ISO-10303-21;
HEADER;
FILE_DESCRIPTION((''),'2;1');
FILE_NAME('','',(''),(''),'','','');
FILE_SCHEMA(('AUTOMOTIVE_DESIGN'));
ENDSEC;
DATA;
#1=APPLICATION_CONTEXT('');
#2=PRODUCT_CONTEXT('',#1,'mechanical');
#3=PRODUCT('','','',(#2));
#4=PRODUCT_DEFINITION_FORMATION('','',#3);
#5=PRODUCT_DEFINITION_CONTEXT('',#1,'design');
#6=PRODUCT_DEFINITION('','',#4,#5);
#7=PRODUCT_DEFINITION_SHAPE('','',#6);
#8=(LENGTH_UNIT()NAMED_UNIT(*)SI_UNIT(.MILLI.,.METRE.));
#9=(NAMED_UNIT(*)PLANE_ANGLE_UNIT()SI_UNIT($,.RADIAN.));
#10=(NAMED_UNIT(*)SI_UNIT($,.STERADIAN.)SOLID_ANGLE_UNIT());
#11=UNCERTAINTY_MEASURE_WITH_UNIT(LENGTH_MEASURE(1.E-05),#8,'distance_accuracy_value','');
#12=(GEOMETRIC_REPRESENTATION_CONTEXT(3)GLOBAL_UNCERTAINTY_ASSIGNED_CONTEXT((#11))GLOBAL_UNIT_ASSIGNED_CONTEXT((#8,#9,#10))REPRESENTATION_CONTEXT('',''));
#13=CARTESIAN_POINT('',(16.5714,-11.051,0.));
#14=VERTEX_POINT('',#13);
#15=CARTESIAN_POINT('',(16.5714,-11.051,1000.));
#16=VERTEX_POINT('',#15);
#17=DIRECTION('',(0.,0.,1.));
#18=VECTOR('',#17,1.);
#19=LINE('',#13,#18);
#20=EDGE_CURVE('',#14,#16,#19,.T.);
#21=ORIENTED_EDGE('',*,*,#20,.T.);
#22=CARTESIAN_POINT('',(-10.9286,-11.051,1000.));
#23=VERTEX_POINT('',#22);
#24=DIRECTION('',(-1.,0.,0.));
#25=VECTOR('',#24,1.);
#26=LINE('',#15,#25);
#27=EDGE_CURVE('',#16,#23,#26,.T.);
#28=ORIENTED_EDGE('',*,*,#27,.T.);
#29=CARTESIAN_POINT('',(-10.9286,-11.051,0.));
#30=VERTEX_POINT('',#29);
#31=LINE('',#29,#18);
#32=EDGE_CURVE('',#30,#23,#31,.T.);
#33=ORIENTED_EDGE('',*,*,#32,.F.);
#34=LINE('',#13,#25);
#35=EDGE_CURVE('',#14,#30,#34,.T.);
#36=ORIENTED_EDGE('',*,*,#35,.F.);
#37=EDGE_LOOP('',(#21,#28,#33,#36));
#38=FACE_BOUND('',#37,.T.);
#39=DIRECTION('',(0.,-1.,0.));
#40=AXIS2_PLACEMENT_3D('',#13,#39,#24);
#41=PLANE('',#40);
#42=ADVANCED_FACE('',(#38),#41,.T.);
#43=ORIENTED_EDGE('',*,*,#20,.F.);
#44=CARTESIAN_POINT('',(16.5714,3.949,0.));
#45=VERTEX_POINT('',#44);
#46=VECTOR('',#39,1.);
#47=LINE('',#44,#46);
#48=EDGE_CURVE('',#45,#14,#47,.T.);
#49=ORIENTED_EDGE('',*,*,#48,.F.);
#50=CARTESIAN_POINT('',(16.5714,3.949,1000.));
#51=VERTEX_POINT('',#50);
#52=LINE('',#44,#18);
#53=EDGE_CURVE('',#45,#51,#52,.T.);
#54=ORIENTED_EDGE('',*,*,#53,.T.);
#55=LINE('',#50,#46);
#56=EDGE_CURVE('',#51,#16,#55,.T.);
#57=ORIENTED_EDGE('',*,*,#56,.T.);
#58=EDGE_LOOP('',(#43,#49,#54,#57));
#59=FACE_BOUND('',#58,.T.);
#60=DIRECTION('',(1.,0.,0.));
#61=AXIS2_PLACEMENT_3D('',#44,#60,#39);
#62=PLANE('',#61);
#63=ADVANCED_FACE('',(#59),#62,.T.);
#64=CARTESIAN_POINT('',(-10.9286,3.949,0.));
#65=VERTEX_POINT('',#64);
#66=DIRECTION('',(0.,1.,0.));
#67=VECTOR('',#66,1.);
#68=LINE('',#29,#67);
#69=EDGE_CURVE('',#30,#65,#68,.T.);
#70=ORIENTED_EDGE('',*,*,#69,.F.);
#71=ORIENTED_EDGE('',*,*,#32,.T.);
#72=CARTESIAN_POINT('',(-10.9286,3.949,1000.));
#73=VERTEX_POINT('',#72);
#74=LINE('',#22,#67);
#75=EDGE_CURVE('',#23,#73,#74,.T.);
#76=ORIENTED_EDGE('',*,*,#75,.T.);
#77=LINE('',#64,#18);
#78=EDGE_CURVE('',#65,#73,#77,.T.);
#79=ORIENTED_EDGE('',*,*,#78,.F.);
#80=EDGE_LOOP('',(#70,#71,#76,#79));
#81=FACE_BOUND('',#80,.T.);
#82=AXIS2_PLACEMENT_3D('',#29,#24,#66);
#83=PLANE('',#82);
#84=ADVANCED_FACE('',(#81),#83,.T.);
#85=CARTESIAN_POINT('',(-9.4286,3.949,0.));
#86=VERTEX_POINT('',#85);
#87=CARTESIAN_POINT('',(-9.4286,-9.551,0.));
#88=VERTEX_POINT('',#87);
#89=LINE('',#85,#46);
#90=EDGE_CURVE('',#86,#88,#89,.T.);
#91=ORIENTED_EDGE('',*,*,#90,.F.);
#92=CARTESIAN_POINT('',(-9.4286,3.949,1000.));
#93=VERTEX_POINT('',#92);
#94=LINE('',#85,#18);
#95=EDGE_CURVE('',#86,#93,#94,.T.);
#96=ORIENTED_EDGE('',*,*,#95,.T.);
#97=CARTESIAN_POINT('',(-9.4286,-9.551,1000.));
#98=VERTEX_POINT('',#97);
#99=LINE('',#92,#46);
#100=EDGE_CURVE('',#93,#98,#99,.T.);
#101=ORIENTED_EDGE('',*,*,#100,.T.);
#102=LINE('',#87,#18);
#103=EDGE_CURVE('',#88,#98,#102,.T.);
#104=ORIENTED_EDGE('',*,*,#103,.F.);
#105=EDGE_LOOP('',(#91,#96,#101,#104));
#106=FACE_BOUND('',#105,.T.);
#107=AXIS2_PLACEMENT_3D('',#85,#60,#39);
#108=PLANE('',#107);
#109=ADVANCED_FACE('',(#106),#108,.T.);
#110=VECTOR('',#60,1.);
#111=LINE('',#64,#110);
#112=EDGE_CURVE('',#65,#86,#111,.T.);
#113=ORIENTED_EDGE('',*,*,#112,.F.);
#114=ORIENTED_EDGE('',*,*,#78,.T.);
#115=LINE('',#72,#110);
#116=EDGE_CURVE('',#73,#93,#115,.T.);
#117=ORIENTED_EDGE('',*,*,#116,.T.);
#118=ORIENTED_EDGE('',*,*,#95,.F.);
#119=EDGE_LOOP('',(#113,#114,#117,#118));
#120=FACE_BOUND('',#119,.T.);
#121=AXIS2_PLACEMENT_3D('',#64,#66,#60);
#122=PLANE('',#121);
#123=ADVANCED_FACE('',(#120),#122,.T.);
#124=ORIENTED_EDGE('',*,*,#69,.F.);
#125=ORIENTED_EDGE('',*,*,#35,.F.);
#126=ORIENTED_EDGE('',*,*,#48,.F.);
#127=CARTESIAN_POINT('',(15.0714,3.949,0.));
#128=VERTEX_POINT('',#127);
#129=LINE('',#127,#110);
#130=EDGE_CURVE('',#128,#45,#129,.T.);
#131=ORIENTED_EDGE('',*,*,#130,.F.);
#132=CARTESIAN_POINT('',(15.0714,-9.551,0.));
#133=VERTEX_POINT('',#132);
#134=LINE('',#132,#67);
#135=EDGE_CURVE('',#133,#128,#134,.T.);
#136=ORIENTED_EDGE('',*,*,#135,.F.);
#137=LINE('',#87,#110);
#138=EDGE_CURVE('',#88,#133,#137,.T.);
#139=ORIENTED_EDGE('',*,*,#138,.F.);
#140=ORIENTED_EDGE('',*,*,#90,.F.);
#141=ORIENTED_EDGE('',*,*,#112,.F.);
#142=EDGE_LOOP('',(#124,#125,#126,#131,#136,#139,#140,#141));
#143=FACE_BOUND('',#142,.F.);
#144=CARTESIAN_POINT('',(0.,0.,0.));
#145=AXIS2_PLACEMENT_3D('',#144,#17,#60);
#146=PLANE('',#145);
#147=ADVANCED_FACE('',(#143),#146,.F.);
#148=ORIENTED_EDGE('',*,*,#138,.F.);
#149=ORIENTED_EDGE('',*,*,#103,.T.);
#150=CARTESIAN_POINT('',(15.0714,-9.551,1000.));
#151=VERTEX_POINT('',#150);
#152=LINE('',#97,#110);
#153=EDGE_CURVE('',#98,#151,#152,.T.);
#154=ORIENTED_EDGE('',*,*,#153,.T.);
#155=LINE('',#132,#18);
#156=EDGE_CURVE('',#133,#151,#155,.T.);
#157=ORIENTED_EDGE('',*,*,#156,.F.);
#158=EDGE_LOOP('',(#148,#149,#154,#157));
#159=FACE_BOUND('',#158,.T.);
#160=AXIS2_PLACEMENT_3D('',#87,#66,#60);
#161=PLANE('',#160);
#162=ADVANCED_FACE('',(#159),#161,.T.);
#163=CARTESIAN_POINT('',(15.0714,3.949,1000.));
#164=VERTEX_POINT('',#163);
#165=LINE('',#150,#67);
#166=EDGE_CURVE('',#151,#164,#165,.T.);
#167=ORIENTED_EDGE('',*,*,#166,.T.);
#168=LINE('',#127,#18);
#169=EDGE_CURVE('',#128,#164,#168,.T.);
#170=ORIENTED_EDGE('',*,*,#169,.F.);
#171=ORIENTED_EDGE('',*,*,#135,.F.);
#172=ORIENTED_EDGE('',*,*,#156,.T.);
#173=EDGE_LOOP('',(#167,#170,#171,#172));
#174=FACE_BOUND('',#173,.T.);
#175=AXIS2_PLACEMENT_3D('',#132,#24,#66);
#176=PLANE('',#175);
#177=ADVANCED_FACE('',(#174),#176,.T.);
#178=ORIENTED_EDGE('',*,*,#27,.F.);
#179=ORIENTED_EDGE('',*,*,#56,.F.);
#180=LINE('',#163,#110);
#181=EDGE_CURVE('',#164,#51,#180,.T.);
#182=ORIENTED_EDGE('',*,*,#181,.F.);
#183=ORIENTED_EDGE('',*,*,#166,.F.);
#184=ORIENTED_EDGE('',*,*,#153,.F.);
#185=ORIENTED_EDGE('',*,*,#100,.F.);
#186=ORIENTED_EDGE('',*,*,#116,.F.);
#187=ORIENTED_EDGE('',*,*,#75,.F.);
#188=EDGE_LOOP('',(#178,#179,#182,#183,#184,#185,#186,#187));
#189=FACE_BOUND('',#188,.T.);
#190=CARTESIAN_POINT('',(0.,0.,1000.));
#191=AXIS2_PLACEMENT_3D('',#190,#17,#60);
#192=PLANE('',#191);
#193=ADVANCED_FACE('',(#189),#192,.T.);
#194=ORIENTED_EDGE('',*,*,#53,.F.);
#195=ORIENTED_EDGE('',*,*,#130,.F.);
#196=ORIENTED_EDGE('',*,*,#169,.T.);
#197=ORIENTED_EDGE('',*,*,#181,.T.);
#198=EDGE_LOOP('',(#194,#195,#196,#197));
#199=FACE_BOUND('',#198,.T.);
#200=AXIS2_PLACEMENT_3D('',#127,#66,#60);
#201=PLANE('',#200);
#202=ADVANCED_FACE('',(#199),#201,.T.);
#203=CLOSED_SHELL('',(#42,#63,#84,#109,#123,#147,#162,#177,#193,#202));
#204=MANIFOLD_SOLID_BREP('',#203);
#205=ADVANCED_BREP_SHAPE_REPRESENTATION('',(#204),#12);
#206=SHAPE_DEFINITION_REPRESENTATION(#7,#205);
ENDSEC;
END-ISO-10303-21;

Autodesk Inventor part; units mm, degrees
ref_plane "YZ Plane" through (0, 0, 0) normal (1, 0, 0) x (0, 1, 0)
ref_plane "XZ Plane" through (0, 0, 0) normal (0, 1, 0) x (-1, 0, 0)
ref_plane "XY Plane" through (0, 0, 0) normal (0, 0, 1) x (1, 0, 0)
sketch "Skizze1" plane through (0, 0, 0) normal (0, 0, 1) x (1, 0, 0)
  line L0 (-10.9286, -11.051) -> (-10.9286, 3.949)
  line L1 (-10.9286, 3.949) -> (-9.4286, 3.949)
  line L2 (-9.4286, 3.949) -> (-9.4286, -9.551)
  line L3 (-9.4286, -9.551) -> (15.0714, -9.551)
  line L4 (15.0714, -9.551) -> (15.0714, 3.949)
  line L5 (15.0714, 3.949) -> (16.5714, 3.949)
  line L6 (16.5714, 3.949) -> (16.5714, -11.051)
  line L7 (16.5714, -11.051) -> (-10.9286, -11.051)
  point P0 (0, 0)
  dimension "d0" = 1.5
  dimension "d1" = 27.5
  dimension "d2" = 1.5
  dimension "d3" = 1.5
  dimension "d4" = 15
  dimension "d5" = 15
extrude "Extrusion1" add sketch "Skizze1" along normal blind 1000
properties part number "Grundstange Bauhaus_neu"
